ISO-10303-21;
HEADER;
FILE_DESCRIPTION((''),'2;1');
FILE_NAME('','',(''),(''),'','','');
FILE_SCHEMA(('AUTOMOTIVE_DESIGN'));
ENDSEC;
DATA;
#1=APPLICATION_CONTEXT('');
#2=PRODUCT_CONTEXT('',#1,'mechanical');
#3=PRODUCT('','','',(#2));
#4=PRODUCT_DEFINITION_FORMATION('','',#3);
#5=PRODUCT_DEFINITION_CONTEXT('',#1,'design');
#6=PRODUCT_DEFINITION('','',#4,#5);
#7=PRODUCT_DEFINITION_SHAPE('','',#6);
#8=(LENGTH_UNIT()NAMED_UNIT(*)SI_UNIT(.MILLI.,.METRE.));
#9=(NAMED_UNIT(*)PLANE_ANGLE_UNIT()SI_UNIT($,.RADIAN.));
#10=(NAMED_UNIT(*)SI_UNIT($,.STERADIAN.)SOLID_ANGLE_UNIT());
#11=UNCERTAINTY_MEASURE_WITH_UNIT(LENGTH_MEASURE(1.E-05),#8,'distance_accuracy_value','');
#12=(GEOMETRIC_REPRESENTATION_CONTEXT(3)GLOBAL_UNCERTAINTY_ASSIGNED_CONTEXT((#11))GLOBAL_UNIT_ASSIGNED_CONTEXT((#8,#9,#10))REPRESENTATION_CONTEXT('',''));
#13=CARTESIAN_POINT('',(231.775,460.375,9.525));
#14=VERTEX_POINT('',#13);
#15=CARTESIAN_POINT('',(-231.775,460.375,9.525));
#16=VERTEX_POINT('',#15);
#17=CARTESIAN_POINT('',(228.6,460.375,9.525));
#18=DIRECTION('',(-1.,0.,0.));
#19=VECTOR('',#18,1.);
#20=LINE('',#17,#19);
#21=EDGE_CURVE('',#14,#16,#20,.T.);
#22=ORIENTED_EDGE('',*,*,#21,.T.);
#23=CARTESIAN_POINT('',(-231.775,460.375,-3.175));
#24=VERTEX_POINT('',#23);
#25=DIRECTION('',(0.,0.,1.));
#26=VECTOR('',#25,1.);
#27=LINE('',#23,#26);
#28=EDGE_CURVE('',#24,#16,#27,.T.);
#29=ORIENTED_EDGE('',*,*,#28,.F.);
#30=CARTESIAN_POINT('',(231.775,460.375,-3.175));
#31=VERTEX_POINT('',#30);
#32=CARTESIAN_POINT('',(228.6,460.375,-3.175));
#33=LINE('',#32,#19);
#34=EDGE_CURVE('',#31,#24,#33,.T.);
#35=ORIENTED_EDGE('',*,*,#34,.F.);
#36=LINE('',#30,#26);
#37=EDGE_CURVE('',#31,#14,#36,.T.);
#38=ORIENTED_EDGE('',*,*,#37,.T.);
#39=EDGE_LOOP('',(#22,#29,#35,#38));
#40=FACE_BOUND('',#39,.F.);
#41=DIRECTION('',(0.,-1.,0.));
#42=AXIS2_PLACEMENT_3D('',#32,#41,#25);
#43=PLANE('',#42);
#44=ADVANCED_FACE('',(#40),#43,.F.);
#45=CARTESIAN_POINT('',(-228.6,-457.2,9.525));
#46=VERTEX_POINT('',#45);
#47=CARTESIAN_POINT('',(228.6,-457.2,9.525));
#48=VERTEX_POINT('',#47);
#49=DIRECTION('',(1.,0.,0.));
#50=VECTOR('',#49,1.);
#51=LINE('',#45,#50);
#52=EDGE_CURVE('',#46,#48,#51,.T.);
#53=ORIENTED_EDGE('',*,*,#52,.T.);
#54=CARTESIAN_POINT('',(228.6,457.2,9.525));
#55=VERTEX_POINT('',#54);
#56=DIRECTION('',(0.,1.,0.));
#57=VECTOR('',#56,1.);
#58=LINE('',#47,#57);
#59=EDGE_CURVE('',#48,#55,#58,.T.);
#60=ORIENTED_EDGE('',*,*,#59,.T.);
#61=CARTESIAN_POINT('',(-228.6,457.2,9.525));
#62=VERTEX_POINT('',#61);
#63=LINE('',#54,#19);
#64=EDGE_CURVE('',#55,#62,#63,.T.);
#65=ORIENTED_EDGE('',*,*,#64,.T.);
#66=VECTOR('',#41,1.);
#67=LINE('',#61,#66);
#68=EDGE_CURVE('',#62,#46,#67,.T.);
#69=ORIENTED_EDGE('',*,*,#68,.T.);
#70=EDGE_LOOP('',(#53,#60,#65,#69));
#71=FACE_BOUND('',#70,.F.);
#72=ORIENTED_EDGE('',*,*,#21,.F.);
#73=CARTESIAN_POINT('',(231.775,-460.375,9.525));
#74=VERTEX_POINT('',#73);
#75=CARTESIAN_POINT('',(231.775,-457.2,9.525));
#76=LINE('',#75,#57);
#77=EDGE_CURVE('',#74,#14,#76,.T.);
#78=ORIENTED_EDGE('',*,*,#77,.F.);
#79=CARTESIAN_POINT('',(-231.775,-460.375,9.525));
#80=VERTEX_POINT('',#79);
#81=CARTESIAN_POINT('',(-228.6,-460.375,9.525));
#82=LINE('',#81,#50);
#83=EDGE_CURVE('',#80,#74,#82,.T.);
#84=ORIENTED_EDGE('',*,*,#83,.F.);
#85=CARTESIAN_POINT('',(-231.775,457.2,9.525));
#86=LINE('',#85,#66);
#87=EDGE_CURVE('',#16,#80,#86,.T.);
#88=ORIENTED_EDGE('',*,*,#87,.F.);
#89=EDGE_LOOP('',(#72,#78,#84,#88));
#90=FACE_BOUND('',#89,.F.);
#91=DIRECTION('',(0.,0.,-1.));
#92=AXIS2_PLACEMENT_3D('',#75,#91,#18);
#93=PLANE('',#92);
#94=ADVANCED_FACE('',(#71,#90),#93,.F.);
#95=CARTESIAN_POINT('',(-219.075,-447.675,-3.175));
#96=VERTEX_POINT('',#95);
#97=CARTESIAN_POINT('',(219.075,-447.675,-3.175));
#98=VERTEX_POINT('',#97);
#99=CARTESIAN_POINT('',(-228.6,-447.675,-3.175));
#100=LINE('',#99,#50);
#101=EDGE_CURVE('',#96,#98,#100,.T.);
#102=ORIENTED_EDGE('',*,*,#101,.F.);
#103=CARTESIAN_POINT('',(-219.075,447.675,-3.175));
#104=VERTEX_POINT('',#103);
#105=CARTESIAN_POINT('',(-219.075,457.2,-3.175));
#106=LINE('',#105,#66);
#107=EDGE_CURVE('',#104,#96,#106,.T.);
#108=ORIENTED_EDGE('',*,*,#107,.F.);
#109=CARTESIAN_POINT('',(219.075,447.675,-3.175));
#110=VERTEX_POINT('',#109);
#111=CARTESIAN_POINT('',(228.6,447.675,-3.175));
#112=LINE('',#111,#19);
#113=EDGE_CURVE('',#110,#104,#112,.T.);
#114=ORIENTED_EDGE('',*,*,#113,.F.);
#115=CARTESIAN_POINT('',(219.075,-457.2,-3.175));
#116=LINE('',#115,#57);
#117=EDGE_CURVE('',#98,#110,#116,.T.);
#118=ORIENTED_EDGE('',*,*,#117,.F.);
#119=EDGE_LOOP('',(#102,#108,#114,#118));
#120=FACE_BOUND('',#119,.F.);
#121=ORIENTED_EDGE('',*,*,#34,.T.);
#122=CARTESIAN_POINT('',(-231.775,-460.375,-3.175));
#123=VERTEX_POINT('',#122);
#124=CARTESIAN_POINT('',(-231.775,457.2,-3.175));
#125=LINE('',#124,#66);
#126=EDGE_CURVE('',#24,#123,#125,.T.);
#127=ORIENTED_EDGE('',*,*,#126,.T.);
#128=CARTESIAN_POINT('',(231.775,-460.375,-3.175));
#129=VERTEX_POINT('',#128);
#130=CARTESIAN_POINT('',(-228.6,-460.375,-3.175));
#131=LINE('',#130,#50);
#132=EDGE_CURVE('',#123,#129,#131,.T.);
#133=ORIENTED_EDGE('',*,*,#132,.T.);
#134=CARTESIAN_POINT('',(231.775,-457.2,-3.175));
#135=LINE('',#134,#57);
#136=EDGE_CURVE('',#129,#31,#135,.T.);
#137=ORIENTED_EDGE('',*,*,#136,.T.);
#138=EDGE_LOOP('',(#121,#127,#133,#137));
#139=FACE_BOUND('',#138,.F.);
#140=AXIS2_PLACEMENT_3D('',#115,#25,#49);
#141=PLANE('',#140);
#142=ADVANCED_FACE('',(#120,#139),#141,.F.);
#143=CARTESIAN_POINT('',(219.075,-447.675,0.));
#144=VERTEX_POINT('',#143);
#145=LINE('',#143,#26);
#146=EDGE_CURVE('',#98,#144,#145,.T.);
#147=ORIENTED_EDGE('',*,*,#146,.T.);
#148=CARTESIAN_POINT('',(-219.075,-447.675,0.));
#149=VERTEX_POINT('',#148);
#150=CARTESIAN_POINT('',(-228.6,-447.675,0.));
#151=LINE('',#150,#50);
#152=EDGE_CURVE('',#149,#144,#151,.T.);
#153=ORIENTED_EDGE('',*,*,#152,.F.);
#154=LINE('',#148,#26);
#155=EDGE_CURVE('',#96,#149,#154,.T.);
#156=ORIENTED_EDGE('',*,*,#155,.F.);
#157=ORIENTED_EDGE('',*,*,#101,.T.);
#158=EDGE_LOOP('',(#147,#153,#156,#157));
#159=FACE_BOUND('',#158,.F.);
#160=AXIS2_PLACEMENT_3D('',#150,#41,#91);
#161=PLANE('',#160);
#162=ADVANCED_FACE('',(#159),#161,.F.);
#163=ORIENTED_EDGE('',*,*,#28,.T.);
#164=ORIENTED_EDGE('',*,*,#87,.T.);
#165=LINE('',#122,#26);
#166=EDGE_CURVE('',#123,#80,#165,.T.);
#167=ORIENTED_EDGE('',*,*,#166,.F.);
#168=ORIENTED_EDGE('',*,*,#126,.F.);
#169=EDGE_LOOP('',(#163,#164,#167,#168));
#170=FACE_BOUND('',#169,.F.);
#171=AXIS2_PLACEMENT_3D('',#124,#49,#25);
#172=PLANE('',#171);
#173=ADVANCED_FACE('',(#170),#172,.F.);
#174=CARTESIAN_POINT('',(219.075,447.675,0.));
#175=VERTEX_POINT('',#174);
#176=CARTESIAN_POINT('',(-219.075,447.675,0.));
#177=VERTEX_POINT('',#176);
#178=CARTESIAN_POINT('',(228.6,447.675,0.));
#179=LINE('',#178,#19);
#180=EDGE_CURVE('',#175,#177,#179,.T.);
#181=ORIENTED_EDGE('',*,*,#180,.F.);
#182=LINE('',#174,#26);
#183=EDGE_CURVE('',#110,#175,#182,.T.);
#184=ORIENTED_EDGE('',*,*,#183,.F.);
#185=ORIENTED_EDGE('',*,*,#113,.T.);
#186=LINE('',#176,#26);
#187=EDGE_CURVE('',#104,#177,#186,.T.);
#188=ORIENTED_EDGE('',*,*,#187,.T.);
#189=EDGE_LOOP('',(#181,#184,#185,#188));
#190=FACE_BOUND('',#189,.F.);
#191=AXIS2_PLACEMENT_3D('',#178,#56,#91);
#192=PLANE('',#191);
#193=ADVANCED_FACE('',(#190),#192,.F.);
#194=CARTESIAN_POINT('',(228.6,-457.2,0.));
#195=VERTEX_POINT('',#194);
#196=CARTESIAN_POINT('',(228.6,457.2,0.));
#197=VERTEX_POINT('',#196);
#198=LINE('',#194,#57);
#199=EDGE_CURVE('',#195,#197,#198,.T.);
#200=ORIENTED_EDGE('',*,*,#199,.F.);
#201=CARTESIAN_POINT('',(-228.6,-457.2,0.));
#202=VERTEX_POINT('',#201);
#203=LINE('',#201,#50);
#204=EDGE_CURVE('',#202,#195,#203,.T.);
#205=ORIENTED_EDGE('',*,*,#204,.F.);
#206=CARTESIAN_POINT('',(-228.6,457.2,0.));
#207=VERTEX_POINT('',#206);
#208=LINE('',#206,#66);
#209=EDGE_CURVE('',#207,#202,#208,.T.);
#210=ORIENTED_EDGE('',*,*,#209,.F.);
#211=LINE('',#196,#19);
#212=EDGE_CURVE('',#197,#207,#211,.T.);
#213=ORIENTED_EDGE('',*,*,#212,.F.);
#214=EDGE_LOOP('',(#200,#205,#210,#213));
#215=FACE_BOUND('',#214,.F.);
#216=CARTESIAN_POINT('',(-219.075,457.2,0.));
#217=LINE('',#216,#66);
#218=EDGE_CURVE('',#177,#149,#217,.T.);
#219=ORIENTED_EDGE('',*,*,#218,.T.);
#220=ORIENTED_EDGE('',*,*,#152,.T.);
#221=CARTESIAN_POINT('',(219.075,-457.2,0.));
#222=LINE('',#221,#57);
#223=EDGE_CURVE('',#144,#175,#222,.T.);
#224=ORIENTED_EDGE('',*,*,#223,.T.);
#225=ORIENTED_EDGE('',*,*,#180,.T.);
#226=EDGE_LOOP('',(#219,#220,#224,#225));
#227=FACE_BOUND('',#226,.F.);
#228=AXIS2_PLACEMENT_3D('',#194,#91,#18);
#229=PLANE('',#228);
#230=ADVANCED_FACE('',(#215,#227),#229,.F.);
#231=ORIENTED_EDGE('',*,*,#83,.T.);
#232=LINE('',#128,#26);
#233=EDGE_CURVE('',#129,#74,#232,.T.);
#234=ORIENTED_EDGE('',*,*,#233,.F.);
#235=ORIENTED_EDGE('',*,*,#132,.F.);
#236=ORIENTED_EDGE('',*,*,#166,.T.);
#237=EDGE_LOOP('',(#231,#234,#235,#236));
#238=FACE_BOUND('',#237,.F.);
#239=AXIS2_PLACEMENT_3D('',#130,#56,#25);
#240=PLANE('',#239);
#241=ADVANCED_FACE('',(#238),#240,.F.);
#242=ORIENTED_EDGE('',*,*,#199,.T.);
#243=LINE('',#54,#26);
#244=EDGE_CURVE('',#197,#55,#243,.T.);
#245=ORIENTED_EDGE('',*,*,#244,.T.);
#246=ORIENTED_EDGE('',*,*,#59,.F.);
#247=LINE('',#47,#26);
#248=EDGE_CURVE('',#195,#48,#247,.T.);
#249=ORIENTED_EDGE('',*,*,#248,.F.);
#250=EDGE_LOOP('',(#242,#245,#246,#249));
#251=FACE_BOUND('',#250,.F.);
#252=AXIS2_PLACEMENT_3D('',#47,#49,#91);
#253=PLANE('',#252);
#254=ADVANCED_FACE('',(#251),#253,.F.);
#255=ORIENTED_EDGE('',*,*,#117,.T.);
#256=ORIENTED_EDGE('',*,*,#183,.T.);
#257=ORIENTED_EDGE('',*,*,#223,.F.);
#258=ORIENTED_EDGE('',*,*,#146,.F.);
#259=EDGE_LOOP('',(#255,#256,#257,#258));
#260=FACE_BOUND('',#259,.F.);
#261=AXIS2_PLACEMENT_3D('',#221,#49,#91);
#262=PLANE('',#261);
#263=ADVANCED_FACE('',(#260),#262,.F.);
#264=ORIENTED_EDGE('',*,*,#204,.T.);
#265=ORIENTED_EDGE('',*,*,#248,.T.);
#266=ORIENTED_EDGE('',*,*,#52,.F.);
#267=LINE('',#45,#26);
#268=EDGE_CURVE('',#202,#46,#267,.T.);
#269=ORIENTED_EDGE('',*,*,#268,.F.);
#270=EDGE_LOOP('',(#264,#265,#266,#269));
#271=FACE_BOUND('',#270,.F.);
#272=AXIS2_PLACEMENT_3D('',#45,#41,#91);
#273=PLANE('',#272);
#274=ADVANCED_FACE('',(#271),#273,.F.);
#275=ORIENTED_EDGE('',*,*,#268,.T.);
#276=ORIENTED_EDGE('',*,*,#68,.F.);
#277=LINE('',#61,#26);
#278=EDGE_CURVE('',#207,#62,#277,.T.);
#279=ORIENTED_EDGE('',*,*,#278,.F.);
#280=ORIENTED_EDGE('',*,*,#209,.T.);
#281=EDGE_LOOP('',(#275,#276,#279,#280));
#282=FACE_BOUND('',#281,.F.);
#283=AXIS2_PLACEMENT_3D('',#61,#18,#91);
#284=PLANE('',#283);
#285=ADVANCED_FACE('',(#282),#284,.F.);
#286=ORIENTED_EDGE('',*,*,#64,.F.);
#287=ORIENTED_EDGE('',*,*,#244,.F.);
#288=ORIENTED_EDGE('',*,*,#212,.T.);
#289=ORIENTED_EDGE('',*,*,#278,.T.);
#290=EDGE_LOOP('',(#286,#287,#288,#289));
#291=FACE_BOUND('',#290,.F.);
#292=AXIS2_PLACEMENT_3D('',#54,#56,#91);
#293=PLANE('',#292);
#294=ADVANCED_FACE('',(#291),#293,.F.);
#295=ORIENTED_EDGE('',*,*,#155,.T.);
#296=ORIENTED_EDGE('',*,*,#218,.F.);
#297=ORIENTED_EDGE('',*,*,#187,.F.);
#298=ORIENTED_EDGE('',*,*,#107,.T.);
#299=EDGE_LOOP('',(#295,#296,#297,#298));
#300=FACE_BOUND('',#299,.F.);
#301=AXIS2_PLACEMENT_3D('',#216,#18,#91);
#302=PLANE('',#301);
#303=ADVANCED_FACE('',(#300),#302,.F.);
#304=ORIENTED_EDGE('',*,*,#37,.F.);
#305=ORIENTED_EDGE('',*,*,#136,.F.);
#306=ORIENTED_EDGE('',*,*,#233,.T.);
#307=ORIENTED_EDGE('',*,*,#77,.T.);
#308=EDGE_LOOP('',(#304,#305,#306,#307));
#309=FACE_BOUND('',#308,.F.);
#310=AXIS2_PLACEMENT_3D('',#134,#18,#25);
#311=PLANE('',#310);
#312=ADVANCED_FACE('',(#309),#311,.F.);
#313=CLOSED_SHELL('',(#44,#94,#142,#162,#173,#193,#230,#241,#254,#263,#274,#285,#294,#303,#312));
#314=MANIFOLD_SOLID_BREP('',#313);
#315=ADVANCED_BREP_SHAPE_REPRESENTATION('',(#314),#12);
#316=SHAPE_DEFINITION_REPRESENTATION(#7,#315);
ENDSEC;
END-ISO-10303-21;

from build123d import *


with BuildPart() as f2:
    # F2: sweep along a path in F0
    with BuildLine(Plane.XY) as f2_path:
        Line((228.6, -457.2), (228.6, 457.2))
        Line((228.6, 457.2), (-228.6, 457.2))
        Line((-228.6, 457.2), (-228.6, -457.2))
        Line((-228.6, -457.2), (228.6, -457.2))
    # F1 (on Front) → F2 (sweep)
    with BuildSketch(Plane.XZ):
        Polygon((231.775, -3.175), (231.775, 9.525), (228.6, 9.525), (228.6, 0), (219.075, 0), (219.075, -3.175), align=None)
    sweep(path=f2_path.line, transition=Transition.RIGHT)


solid = f2.part
